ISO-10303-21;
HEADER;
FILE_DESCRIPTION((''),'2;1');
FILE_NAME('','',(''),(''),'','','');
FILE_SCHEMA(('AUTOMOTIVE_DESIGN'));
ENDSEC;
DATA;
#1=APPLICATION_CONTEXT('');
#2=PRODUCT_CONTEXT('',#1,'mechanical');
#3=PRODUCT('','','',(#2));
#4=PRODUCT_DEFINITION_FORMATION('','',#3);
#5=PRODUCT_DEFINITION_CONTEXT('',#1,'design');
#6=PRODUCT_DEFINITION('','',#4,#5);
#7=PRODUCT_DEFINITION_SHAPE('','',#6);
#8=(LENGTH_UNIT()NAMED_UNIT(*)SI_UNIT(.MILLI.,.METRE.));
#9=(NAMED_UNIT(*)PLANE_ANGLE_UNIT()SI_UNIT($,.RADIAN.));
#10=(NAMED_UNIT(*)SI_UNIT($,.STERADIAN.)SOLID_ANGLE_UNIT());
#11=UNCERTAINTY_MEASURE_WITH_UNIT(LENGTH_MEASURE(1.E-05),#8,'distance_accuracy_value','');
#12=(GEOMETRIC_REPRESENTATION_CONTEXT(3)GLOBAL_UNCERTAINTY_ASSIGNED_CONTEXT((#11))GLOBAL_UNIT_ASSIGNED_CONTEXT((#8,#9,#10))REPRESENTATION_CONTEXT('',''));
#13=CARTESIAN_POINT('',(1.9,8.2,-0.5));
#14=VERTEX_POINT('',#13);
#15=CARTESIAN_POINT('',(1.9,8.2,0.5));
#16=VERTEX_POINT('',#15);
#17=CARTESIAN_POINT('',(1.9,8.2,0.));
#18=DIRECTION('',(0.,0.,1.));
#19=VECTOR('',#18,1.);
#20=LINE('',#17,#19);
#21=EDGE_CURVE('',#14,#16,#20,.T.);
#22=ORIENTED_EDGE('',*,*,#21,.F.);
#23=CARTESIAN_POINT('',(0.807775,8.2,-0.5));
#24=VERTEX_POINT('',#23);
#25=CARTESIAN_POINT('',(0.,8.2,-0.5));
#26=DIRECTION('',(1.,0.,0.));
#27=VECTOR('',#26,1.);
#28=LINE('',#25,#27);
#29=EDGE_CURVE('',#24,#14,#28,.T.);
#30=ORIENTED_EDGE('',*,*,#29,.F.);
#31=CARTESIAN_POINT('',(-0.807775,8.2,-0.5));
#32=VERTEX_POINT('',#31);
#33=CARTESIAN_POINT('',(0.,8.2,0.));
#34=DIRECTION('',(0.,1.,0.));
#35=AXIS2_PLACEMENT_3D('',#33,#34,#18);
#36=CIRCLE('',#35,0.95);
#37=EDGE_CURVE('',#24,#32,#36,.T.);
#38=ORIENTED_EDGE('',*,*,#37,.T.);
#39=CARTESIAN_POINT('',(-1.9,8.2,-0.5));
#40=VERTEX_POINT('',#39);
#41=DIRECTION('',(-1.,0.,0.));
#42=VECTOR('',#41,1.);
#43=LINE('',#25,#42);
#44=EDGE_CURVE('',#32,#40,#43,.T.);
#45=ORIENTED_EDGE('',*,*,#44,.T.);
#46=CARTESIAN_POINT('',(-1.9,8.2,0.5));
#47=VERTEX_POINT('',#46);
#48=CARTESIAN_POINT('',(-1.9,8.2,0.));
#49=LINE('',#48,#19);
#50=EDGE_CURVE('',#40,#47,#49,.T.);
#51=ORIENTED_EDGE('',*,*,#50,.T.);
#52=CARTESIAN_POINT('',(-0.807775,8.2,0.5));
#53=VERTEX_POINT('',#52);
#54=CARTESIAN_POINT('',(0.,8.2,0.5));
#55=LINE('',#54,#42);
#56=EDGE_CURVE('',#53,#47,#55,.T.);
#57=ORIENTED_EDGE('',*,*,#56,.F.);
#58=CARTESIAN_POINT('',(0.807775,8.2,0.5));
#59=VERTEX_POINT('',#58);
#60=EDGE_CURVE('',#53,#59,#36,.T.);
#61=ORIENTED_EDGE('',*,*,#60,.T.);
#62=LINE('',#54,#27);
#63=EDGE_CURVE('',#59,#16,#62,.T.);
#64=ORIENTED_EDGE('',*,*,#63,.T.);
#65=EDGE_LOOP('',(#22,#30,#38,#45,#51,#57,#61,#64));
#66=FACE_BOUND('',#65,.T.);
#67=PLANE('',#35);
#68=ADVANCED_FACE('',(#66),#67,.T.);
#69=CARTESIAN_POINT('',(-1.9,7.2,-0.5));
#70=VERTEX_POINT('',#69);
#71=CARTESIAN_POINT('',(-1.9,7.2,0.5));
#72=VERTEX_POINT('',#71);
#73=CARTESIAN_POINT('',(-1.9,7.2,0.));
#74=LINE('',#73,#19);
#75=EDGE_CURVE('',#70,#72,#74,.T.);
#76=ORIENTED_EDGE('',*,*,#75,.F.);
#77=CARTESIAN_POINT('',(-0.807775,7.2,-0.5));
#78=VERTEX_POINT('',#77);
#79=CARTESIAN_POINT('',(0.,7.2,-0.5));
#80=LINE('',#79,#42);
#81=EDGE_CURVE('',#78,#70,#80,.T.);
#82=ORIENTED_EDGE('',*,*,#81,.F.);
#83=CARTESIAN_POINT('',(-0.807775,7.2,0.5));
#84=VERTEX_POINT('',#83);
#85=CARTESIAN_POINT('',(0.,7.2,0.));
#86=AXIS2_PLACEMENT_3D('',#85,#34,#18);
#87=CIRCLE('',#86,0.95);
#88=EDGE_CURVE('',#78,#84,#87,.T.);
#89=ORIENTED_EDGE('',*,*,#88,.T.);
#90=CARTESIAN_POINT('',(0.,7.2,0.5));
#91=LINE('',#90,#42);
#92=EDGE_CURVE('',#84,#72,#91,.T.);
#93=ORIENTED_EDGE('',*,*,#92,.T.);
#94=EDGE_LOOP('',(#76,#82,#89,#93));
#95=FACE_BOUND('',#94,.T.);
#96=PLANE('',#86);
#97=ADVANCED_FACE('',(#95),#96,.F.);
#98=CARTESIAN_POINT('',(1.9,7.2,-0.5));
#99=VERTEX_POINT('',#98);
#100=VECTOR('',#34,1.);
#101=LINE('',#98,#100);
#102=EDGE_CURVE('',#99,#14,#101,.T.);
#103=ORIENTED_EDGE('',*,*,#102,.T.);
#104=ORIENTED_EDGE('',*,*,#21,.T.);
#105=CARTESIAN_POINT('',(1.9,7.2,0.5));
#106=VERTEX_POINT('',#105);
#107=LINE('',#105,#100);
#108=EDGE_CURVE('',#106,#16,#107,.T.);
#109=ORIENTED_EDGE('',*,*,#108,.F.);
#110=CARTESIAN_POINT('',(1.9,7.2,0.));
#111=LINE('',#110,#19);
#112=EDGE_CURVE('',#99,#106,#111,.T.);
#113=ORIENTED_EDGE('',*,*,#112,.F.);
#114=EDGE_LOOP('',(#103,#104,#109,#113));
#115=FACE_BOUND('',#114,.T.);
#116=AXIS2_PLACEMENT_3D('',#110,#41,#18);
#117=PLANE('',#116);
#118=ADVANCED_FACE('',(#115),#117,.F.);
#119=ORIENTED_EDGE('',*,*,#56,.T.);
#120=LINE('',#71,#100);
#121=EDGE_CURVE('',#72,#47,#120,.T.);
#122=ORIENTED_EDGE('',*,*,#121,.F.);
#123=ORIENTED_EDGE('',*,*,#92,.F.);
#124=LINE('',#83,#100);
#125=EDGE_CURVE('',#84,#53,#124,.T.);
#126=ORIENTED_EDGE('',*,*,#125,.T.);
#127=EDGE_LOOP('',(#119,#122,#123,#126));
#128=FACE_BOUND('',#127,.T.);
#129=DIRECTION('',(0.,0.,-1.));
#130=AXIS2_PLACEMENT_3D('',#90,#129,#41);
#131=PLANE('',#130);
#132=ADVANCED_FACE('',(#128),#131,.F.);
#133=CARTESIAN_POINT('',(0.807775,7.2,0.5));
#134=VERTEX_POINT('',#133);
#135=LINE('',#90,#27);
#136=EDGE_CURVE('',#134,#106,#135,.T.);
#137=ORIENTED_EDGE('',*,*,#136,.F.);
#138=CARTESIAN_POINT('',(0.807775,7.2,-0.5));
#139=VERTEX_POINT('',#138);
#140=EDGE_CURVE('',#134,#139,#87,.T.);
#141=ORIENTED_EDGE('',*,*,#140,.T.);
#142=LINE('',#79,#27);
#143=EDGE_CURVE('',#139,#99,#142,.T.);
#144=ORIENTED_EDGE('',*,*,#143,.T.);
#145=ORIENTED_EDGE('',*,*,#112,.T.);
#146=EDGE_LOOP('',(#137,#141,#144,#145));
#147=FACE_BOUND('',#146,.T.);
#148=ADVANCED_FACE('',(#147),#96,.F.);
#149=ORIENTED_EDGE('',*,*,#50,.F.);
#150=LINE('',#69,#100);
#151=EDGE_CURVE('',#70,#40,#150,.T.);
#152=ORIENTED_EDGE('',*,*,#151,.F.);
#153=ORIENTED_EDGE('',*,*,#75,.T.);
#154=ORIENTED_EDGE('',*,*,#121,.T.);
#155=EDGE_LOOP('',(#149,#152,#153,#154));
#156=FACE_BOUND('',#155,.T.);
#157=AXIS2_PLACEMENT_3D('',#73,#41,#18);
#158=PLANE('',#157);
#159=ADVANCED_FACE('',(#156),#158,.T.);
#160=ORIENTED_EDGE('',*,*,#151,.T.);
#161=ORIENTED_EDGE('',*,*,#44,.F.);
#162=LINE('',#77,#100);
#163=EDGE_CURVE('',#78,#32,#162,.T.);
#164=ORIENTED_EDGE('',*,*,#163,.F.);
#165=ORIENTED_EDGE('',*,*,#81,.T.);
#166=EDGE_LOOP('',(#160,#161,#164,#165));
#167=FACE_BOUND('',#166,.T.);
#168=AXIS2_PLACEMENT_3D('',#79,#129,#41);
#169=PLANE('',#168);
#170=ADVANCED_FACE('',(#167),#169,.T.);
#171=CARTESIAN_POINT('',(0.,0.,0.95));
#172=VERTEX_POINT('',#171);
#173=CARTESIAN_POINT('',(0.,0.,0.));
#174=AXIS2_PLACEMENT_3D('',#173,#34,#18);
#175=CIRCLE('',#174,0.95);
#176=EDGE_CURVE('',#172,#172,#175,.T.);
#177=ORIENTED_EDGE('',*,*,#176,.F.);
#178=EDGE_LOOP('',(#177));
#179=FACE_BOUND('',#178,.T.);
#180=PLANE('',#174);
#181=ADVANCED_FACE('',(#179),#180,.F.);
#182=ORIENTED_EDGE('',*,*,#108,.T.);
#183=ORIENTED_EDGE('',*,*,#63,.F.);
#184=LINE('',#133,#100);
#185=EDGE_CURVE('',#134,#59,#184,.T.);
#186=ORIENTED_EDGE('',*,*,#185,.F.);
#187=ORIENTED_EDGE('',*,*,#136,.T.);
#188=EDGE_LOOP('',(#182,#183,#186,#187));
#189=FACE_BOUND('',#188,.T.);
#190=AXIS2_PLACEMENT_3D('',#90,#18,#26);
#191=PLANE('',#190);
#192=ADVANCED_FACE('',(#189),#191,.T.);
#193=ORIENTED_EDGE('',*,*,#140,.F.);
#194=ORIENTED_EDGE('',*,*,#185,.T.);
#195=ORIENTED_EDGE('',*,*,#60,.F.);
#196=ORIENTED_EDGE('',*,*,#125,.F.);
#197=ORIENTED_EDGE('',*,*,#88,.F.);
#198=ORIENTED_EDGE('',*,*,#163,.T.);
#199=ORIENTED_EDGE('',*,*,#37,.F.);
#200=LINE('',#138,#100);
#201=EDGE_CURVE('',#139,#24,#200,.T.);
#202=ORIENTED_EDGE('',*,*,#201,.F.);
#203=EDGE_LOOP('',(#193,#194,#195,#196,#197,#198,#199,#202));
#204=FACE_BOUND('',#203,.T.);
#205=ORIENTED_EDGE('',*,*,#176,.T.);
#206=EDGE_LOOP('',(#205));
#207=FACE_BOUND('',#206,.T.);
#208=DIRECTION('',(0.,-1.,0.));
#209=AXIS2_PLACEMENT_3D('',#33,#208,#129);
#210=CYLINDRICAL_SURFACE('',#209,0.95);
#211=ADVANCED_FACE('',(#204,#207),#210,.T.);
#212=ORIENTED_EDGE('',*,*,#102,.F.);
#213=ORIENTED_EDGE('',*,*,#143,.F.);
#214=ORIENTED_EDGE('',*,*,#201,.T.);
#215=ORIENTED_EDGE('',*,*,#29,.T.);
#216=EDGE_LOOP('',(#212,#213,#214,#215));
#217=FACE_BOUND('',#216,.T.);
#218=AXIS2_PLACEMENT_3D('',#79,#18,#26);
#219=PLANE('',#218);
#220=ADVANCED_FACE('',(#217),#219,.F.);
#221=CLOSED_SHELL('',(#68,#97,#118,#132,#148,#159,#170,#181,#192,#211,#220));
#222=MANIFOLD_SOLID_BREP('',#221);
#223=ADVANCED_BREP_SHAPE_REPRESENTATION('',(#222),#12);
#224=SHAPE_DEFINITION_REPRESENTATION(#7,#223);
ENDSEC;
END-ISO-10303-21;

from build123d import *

# Parameters (mm, degrees)
SKETCH1_R  = 0.95
BODY_DEPTH = 8.2
LOCK_DEPTH = 1


with BuildPart() as part:
    # Sketch1 → Body (new body)
    with BuildSketch(Plane(origin=(0, 0, 0), x_dir=(1, 0, 0), z_dir=(0, 1, 0))):
        Circle(SKETCH1_R)
    extrude(amount=BODY_DEPTH)

    # Sketch2 → Lock (add)
    with BuildSketch(Plane(origin=(0, 8.2, 0), x_dir=(1, 0, 0), z_dir=(0, 1, 0))):
        with BuildLine():
            ThreePointArc((-0.807774721, -0.5), (-0.95, 0), (-0.807774721, 0.5))
            Line((-0.807774721, 0.5), (-1.9, 0.5))
            Line((-1.9, 0.5), (-1.9, -0.5))
            Line((-1.9, -0.5), (-0.807774721, -0.5))
        make_face()
        with BuildLine():
            Line((1.9, 0.5), (0.807774721, 0.5))
            ThreePointArc((0.807774721, 0.5), (0.91375215, 0.259917309), (0.95, 0))
            ThreePointArc((0.95, 0), (0.91375215, -0.259917309), (0.807774721, -0.5))
            Line((0.807774721, -0.5), (1.9, -0.5))
            Line((1.9, -0.5), (1.9, 0.5))
        make_face()
    extrude(amount=-LOCK_DEPTH)


solid = part.part
